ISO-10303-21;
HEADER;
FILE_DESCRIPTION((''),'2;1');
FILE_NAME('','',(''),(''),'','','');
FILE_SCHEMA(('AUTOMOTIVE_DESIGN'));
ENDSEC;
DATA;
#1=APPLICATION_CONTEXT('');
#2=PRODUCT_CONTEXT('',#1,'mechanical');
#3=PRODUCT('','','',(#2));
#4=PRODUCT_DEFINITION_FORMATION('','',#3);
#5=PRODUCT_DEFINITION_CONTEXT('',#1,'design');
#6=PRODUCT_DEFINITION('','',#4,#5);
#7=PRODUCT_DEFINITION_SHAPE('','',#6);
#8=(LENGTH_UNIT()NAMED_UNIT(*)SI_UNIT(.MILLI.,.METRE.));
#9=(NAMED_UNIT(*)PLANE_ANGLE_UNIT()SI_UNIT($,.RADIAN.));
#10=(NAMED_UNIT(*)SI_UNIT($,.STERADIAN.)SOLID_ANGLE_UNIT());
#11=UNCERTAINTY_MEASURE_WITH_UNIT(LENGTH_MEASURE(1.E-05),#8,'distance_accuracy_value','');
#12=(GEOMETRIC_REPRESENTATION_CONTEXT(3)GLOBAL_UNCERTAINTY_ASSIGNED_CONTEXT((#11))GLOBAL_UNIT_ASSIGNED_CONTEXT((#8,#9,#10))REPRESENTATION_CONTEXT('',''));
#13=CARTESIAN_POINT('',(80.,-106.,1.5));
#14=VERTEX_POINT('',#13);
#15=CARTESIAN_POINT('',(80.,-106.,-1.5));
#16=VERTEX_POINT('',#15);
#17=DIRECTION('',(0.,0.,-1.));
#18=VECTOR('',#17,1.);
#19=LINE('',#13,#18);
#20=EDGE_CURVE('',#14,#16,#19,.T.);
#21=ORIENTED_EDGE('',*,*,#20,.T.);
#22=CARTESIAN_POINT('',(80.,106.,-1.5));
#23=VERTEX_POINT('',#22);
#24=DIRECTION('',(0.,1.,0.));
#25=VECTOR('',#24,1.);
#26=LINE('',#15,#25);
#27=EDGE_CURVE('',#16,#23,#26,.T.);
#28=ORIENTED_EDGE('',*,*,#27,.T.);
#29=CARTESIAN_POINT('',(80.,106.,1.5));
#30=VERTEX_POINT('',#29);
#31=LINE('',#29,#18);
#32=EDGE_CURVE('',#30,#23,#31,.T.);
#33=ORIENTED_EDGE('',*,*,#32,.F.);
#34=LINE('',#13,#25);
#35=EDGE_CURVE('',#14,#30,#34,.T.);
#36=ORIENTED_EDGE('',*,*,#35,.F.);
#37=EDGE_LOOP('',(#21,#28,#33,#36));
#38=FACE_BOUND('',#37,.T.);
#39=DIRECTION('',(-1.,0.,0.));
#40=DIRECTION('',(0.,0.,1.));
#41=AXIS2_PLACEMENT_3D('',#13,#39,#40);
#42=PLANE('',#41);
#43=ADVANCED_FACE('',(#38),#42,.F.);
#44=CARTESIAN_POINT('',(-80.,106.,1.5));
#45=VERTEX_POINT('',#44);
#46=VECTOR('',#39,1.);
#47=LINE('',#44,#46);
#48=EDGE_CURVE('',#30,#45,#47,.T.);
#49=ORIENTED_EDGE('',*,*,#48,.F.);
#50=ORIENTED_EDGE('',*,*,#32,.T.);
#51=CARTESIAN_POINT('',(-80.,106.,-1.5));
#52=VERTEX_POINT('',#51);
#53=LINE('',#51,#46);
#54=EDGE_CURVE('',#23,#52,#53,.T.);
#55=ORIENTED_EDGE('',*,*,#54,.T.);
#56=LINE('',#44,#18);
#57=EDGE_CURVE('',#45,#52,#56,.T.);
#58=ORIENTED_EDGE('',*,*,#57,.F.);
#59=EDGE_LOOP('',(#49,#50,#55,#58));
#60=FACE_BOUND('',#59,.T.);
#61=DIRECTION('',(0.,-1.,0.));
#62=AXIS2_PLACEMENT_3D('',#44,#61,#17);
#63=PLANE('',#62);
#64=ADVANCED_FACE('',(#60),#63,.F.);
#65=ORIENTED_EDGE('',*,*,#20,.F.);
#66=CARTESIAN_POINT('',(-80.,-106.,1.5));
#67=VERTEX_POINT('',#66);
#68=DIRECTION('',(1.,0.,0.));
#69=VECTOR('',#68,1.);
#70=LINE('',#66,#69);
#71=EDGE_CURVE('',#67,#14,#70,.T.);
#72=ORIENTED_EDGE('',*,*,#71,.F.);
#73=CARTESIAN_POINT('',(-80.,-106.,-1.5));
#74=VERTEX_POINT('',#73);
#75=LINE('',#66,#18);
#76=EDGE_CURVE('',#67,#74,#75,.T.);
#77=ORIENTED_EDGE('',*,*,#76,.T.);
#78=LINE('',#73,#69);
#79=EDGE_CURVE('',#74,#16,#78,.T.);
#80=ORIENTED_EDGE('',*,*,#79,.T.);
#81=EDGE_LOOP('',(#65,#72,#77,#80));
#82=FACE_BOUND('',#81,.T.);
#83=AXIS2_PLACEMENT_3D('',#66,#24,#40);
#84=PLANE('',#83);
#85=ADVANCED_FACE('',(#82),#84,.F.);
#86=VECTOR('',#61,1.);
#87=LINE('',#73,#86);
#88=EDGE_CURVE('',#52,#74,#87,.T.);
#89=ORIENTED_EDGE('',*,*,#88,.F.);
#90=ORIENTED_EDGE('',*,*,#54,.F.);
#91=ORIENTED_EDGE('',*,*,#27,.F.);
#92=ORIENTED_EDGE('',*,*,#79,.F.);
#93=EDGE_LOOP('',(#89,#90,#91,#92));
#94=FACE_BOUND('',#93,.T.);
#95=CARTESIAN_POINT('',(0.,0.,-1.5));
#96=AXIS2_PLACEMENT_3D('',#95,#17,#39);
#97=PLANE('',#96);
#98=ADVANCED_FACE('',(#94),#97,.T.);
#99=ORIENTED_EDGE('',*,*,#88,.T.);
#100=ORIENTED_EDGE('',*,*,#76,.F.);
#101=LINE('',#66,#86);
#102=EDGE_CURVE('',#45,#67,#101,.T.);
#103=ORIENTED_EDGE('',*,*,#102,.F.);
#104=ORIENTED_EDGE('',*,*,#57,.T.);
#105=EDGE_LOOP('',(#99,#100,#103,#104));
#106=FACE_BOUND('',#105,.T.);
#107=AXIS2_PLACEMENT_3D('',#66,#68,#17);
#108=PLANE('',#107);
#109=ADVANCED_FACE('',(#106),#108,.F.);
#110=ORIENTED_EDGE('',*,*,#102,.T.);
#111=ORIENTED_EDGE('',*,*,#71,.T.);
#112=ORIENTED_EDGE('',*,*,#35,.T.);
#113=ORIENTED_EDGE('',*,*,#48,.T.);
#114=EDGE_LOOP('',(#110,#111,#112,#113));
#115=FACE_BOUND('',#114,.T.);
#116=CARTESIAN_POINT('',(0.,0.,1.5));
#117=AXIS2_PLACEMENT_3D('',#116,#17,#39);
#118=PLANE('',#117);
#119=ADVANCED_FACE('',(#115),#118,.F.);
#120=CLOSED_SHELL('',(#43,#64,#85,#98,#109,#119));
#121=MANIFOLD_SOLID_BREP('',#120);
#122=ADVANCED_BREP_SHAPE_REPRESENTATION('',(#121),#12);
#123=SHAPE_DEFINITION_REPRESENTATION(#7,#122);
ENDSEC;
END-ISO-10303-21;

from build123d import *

# Parameters (mm, degrees)
SKETCH1_W           = 160
SKETCH1_H           = 212
BOSS_EXTRUDE1_DEPTH = 1.5


with BuildPart() as part:
    # Sketch1 → Boss-Extrude1 (new, symmetric)
    with BuildSketch(Plane.XY):
        Rectangle(SKETCH1_W, SKETCH1_H)
    extrude(amount=BOSS_EXTRUDE1_DEPTH, both=True)


solid = part.part
